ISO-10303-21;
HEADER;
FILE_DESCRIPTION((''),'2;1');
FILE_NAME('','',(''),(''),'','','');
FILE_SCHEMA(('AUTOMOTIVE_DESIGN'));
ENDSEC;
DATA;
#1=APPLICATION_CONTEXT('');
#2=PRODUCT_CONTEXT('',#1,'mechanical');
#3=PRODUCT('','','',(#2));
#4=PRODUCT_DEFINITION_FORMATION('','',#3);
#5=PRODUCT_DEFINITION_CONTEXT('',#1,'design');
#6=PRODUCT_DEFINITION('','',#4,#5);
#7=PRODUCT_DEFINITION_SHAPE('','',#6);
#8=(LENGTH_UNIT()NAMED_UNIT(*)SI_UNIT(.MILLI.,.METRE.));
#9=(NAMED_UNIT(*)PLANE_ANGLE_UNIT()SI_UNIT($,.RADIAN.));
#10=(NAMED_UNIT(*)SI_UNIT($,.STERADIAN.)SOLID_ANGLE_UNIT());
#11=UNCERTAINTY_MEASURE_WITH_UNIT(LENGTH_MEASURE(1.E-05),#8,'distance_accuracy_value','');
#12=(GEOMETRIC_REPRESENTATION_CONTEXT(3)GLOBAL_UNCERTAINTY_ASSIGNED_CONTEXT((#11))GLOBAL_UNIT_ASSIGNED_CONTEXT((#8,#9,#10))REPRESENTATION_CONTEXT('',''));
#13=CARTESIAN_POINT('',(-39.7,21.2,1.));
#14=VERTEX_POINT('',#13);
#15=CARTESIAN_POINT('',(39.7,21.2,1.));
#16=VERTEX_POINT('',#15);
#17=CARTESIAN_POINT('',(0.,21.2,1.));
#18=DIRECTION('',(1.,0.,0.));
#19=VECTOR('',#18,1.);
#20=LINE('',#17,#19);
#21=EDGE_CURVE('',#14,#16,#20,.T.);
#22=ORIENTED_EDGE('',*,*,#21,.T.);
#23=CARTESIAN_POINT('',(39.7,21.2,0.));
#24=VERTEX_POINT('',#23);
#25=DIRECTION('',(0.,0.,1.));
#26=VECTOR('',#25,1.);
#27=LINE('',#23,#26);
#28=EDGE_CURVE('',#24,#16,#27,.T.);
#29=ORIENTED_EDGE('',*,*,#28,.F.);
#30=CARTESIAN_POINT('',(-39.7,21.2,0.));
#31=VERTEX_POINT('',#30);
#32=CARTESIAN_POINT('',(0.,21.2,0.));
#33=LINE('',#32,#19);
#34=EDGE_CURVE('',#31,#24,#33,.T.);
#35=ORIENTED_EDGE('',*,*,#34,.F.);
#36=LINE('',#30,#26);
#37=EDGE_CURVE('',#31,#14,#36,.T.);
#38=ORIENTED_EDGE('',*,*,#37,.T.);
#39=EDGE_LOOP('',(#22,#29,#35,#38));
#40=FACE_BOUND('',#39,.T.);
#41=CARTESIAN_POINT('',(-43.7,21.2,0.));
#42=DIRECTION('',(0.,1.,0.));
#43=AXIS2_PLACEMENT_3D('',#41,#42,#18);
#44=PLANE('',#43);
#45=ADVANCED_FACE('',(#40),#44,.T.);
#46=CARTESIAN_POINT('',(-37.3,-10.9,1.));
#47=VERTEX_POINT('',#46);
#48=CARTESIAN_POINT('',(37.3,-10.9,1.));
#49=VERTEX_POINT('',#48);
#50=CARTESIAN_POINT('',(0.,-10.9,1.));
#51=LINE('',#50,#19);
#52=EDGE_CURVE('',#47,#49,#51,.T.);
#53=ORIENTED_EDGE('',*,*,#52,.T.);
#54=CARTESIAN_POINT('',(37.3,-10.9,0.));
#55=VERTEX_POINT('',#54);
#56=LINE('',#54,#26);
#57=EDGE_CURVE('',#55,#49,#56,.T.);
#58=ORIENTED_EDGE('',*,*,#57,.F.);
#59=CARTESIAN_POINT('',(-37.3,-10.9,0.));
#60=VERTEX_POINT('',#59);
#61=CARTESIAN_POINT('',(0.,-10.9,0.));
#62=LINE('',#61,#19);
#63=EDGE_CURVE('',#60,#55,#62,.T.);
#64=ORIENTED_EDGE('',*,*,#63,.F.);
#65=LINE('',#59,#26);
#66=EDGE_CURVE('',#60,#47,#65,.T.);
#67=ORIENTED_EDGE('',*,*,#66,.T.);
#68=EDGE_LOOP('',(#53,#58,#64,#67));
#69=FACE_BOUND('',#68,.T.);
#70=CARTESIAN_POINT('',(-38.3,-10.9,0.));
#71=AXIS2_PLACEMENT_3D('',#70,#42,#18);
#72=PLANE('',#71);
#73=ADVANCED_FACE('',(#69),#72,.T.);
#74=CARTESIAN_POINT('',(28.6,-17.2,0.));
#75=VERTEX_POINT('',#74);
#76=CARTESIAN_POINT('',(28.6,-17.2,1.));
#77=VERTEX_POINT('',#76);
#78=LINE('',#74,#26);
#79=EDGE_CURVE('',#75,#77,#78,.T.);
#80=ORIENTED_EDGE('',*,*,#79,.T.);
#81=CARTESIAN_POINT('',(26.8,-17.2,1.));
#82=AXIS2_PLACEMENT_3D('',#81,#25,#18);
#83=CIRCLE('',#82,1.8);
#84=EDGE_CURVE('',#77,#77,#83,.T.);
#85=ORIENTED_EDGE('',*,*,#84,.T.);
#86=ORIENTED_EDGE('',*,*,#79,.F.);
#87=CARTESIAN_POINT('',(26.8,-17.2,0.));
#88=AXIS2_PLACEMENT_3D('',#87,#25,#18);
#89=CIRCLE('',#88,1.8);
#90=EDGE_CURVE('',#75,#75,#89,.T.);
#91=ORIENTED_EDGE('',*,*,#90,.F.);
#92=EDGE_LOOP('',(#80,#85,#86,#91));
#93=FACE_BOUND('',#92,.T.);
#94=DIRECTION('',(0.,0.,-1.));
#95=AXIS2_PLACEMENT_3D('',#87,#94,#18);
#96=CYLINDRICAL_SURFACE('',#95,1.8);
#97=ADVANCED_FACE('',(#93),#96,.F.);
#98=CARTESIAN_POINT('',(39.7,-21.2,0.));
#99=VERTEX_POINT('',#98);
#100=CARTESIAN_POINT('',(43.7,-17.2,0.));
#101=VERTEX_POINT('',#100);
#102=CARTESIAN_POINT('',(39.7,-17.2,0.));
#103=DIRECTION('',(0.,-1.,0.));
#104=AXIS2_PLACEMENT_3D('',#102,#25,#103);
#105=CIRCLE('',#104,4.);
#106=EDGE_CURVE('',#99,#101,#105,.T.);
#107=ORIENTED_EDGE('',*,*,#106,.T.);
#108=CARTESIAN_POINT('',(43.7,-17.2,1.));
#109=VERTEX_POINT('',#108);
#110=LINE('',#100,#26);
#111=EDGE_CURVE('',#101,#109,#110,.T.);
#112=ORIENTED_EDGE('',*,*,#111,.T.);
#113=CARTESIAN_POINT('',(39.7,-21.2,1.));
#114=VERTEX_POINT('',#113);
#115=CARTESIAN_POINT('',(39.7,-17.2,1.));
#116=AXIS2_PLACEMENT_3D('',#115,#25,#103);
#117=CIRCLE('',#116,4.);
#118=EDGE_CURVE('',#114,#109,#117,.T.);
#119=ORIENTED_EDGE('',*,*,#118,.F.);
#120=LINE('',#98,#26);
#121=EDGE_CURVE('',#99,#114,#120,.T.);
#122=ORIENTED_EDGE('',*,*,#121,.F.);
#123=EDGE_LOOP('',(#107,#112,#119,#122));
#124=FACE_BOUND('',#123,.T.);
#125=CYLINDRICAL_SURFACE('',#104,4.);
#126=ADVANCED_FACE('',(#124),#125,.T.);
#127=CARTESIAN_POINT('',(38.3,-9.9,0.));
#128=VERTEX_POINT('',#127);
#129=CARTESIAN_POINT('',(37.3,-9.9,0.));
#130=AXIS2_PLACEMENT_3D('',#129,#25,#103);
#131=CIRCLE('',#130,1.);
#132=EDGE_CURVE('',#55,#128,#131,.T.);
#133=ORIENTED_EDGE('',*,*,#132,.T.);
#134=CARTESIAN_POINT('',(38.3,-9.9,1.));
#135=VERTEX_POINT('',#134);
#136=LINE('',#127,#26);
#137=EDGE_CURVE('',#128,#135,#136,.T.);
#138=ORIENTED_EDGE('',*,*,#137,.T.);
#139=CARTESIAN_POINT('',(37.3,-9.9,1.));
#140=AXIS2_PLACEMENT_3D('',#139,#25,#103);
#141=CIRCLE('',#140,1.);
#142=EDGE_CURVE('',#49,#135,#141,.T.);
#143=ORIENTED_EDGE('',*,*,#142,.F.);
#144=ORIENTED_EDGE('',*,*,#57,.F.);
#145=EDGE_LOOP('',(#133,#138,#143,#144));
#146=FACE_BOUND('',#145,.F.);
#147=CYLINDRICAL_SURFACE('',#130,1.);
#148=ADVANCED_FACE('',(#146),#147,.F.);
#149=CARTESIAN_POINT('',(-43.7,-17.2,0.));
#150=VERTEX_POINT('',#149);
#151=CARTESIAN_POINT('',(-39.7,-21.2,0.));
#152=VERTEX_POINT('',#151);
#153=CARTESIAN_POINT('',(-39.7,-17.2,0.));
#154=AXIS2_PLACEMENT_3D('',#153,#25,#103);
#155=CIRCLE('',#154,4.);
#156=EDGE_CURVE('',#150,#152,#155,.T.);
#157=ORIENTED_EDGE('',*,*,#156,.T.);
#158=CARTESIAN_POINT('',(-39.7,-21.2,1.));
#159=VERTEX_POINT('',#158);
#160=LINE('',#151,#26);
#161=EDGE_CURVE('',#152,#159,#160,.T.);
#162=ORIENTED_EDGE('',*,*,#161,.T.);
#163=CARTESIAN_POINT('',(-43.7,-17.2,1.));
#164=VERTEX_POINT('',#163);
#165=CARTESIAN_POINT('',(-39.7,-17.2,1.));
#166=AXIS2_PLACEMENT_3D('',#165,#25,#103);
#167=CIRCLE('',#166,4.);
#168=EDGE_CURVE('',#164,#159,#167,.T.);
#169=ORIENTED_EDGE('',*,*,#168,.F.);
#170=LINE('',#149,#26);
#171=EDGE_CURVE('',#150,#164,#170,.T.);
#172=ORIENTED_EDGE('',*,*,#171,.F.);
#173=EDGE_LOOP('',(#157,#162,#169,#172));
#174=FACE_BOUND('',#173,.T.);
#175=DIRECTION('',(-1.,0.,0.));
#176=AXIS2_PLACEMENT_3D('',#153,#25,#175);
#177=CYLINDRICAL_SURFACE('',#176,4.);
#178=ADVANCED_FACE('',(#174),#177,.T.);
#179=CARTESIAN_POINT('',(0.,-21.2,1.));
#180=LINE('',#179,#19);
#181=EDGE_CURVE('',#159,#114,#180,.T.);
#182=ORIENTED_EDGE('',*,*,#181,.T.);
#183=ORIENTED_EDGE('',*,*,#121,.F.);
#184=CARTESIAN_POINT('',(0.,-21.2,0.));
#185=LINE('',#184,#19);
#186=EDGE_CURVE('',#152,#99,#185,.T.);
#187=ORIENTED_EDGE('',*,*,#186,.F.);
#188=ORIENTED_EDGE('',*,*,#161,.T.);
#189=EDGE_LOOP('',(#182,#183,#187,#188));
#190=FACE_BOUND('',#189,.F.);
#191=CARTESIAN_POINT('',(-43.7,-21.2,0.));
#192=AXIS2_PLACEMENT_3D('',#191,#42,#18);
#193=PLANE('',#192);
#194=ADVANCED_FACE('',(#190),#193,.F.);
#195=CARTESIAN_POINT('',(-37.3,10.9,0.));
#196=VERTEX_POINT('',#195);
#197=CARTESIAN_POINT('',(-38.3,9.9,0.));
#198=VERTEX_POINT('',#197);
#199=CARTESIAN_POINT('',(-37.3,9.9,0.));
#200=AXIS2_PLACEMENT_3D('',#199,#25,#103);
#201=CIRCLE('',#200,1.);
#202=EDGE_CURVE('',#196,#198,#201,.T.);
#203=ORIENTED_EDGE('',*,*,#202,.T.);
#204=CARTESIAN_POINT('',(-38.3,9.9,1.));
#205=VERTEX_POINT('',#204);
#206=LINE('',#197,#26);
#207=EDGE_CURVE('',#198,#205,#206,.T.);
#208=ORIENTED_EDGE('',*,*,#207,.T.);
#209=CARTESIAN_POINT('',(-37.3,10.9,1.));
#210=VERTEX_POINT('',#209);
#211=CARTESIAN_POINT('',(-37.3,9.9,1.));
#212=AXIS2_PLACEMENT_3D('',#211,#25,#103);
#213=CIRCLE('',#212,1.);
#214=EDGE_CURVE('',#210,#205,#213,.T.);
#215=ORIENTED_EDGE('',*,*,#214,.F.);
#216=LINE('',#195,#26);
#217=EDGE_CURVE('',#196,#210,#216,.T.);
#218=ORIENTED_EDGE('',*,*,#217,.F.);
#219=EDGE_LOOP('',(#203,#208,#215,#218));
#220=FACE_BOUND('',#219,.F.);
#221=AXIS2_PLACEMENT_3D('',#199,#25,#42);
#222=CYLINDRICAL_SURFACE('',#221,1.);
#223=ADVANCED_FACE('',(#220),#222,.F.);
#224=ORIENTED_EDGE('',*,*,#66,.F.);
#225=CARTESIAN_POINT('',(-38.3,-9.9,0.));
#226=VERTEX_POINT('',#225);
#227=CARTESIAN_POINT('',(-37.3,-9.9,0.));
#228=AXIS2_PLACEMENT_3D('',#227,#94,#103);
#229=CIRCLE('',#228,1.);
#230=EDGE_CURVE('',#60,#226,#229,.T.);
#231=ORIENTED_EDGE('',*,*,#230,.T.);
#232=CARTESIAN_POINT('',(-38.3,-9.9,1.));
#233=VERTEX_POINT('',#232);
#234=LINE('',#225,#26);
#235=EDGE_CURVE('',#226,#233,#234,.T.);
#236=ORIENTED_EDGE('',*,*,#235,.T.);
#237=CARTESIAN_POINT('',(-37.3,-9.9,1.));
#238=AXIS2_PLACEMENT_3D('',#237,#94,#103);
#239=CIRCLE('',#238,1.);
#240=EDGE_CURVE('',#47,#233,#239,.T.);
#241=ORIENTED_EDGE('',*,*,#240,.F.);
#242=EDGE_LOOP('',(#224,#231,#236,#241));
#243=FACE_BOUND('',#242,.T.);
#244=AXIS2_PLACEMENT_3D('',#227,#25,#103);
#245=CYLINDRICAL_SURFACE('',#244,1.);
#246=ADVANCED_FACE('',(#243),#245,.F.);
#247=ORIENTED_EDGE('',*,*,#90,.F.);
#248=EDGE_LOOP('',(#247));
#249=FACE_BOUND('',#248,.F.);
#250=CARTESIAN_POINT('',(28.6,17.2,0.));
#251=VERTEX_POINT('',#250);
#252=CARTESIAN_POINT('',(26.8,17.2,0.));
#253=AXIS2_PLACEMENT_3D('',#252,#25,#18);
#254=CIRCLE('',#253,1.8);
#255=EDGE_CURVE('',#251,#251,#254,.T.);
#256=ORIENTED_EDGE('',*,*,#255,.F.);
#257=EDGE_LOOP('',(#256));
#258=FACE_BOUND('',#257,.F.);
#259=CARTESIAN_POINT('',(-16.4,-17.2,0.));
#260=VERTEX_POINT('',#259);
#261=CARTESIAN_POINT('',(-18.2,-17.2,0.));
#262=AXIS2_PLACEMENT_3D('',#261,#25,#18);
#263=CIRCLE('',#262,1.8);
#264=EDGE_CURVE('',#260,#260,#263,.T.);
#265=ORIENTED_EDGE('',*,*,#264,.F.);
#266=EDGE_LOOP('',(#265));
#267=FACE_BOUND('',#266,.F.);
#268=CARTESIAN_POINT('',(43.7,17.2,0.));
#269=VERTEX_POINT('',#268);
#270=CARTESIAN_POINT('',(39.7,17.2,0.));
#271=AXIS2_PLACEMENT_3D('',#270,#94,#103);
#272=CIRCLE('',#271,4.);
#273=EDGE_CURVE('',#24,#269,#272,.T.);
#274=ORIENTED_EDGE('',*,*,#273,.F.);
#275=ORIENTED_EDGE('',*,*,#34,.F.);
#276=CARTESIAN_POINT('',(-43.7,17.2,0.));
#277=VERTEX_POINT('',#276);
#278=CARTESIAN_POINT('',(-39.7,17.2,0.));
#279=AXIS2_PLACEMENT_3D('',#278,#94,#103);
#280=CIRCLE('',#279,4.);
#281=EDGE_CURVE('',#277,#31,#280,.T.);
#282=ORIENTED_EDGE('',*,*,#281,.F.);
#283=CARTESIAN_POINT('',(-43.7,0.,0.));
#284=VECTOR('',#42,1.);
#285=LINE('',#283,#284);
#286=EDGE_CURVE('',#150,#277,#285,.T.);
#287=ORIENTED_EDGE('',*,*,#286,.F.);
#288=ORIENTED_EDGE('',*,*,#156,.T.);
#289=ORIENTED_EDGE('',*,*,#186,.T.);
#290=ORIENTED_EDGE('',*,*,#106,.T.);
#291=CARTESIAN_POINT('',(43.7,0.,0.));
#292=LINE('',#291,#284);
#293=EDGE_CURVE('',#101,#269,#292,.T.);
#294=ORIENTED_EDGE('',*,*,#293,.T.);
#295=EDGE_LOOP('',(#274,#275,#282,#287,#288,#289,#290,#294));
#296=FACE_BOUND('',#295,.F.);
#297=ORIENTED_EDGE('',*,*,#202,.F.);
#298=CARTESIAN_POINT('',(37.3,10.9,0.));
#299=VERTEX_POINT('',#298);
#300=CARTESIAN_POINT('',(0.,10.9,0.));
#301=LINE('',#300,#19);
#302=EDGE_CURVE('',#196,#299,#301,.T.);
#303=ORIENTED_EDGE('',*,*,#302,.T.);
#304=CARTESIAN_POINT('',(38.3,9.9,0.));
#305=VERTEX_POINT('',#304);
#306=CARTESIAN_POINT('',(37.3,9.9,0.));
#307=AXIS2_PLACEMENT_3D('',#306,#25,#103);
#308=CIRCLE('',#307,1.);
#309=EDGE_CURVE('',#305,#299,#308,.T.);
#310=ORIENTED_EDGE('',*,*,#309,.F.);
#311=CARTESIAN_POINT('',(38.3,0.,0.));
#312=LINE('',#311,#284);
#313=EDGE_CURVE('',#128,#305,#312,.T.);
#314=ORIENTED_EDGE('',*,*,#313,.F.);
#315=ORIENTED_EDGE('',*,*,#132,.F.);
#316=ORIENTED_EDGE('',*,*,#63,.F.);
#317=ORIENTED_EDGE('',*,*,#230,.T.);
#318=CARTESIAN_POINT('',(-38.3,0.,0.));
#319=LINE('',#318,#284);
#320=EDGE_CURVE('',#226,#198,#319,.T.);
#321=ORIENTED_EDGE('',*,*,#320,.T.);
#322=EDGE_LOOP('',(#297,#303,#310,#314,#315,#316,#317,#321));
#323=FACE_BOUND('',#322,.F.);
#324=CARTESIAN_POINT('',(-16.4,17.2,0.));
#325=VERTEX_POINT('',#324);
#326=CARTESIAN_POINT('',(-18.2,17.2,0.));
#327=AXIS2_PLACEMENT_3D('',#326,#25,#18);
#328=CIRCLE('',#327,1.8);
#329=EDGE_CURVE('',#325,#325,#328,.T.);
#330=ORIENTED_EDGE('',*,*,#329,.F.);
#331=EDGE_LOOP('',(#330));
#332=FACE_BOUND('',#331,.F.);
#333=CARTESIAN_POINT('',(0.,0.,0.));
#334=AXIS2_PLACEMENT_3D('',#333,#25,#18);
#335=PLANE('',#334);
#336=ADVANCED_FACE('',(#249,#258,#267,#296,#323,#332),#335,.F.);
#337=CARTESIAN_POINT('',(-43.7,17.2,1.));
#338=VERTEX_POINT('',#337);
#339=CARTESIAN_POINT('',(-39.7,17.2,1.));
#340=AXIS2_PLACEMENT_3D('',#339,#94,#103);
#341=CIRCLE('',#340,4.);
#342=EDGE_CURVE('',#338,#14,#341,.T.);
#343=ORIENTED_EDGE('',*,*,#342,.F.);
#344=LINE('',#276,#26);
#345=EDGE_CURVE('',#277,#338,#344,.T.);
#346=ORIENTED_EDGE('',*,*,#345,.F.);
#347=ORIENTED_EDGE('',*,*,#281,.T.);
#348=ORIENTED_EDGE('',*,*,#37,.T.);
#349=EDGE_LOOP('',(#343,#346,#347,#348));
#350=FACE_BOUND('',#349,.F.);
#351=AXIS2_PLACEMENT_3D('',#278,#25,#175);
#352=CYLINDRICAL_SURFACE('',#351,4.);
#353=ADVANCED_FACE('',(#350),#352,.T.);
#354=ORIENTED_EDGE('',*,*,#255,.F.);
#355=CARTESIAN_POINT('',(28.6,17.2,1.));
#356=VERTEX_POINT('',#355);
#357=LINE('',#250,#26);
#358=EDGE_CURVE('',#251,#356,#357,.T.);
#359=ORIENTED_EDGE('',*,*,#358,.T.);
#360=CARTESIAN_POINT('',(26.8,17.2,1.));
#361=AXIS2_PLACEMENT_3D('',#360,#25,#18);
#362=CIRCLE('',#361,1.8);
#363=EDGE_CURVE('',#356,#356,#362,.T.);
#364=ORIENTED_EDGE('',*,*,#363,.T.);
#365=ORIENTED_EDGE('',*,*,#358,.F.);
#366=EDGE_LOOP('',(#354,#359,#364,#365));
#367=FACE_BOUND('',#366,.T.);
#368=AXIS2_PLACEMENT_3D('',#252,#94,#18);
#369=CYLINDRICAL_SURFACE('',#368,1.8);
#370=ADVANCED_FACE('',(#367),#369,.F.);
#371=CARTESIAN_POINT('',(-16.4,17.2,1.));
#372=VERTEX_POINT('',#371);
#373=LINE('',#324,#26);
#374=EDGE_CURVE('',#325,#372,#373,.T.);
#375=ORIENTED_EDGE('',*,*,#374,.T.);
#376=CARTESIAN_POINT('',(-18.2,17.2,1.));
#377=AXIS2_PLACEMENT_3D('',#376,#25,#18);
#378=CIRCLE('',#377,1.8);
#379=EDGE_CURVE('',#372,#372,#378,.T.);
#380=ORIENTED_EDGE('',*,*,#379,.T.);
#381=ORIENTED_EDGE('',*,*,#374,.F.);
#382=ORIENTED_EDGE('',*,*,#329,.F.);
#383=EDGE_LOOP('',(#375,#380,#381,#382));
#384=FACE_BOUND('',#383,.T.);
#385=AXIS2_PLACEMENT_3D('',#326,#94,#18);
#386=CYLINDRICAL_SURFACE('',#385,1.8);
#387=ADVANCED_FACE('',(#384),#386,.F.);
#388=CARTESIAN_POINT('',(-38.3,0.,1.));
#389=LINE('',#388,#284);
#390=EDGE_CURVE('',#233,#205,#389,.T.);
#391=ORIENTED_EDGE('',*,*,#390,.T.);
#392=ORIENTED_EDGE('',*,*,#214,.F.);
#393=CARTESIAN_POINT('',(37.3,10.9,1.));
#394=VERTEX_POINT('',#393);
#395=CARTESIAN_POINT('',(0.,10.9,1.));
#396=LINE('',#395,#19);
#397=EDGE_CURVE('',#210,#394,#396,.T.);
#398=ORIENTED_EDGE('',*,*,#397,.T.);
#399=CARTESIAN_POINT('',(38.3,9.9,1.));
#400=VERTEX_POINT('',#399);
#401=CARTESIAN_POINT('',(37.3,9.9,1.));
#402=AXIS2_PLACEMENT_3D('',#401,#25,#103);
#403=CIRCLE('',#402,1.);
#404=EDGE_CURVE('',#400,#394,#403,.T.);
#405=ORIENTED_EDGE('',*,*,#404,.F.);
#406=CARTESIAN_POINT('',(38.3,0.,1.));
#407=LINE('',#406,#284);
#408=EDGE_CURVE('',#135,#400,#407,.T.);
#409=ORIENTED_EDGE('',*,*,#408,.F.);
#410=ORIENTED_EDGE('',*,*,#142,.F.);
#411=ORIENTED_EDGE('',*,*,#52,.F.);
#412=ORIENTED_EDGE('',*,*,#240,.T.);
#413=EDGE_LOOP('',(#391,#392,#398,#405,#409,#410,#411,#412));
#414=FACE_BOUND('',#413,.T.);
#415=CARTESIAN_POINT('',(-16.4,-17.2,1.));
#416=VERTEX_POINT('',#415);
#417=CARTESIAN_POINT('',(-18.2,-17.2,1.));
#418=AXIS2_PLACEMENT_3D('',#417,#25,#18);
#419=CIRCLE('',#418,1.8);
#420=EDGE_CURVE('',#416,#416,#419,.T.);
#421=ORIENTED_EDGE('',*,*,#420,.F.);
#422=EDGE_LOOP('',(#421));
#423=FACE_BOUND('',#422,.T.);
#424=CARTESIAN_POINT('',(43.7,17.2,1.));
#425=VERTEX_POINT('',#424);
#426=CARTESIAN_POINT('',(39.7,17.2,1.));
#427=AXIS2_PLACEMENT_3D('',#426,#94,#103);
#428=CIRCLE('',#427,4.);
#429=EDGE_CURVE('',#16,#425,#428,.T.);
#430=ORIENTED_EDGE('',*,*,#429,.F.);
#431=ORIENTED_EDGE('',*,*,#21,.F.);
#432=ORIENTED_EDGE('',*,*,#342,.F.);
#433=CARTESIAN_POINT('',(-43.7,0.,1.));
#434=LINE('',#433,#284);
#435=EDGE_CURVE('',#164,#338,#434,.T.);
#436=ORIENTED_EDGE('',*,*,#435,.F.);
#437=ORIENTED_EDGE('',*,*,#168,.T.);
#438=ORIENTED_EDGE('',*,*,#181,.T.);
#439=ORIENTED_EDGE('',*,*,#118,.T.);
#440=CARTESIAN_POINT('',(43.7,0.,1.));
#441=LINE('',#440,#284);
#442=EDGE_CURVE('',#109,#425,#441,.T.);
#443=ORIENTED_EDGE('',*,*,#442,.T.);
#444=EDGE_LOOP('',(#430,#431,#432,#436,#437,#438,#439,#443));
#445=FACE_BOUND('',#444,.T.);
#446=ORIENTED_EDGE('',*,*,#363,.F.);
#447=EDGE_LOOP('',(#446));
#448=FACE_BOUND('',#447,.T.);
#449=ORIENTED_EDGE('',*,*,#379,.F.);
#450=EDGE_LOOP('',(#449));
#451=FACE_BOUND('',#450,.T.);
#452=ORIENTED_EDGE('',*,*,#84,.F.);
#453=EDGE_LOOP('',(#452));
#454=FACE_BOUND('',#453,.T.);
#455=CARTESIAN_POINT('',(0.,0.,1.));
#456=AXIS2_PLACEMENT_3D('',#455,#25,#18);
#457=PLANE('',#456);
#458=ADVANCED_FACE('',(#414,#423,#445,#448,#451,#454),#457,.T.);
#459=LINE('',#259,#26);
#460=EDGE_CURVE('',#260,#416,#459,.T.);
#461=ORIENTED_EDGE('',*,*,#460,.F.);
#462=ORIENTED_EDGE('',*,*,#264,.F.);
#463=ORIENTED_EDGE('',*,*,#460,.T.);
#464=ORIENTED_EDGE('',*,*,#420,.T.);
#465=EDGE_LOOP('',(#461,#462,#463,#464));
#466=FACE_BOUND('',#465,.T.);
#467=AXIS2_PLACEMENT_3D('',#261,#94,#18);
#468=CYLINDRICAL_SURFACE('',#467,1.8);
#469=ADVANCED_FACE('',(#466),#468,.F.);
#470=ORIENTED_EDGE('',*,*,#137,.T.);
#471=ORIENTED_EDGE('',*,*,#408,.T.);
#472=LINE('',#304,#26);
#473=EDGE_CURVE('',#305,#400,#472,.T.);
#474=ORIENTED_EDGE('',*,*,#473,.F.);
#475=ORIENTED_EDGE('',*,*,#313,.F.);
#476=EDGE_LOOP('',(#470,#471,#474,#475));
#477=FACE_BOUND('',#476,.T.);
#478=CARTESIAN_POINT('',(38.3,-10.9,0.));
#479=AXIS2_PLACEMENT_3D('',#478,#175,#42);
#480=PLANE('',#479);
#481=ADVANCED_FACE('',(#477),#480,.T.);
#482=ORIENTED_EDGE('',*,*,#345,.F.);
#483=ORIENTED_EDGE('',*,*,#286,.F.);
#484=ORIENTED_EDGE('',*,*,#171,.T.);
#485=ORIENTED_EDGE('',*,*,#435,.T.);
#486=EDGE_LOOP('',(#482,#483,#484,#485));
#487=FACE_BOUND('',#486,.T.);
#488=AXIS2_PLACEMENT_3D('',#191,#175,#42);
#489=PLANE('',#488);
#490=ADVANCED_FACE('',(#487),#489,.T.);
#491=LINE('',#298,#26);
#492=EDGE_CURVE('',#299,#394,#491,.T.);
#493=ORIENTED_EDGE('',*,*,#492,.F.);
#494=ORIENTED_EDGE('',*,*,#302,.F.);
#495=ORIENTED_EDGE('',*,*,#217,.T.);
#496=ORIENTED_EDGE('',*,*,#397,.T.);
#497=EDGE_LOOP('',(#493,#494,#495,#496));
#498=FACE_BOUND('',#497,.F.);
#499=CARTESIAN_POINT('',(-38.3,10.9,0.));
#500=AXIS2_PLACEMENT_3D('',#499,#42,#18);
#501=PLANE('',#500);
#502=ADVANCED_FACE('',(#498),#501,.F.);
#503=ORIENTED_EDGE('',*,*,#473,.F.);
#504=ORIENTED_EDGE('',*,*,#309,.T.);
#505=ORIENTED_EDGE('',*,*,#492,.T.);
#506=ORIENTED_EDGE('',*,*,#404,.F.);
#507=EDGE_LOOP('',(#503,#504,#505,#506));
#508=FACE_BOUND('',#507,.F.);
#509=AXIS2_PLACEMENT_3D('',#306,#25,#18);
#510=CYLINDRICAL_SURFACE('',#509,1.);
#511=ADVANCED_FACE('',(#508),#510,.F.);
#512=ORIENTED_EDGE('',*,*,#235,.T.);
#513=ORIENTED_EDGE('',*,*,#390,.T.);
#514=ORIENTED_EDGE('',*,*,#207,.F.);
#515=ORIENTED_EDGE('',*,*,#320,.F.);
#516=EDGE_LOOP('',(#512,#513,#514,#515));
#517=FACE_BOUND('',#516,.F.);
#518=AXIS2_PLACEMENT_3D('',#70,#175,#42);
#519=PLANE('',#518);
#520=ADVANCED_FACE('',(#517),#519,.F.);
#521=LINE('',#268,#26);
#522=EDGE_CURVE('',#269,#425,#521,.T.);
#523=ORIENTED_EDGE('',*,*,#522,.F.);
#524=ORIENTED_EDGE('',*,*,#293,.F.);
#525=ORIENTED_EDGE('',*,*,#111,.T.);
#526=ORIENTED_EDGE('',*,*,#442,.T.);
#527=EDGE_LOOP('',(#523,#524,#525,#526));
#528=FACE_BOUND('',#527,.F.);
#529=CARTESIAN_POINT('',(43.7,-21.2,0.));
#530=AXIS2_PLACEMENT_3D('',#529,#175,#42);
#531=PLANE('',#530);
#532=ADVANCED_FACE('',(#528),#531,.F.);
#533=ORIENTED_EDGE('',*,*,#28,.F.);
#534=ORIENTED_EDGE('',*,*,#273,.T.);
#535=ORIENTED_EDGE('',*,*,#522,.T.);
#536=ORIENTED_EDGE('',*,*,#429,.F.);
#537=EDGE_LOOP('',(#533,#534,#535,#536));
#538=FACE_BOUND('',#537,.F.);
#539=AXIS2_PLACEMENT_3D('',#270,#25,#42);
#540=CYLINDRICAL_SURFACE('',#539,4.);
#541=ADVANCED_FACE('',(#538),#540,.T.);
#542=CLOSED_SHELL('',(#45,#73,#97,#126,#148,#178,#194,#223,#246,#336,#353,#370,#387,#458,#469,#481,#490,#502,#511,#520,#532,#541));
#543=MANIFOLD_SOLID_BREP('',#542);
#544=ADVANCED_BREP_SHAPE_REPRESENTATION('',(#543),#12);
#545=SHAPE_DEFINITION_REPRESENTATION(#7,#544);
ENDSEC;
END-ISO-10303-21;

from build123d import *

# Parameters (mm, degrees)
SKETCH_W    = 87.4
SKETCH_H    = 42.4
SKETCH_R    = 1.8
SKETCH_W_2  = 76.6
SKETCH_H_2  = 21.8
PAD_DEPTH   = 1
FILLET_R    = 4
FILLET001_R = 1


with BuildPart() as part:
    # Sketch → Pad (new body)
    with BuildSketch(Plane.XY):
        Rectangle(SKETCH_W, SKETCH_H)
        with Locations((-18.2, 17.2)):
            Circle(SKETCH_R, mode=Mode.SUBTRACT)
        with Locations((-18.2, -17.2)):
            Circle(SKETCH_R, mode=Mode.SUBTRACT)
        with Locations((26.8, -17.2)):
            Circle(SKETCH_R, mode=Mode.SUBTRACT)
        with Locations((26.8, 17.2)):
            Circle(SKETCH_R, mode=Mode.SUBTRACT)
        Rectangle(SKETCH_W_2, SKETCH_H_2, mode=Mode.SUBTRACT)
    extrude(amount=PAD_DEPTH)

    # Fillet
    fillet_edges = [part.edges().sort_by_distance(p)[0] for p in [
        (43.7, -21.2, 0.5),
        (-43.7, -21.2, 0.5),
        (43.7, 21.2, 0.5),
        (-43.7, 21.2, 0.5),
    ]]
    fillet(fillet_edges, radius=FILLET_R)

    # Fillet001
    fillet001_edges = [part.edges().sort_by_distance(p)[0] for p in [
        (38.3, 10.9, 0.5),
        (38.3, -10.9, 0.5),
        (-38.3, -10.9, 0.5),
        (-38.3, 10.9, 0.5),
    ]]
    fillet(fillet001_edges, radius=FILLET001_R)


solid = part.part
